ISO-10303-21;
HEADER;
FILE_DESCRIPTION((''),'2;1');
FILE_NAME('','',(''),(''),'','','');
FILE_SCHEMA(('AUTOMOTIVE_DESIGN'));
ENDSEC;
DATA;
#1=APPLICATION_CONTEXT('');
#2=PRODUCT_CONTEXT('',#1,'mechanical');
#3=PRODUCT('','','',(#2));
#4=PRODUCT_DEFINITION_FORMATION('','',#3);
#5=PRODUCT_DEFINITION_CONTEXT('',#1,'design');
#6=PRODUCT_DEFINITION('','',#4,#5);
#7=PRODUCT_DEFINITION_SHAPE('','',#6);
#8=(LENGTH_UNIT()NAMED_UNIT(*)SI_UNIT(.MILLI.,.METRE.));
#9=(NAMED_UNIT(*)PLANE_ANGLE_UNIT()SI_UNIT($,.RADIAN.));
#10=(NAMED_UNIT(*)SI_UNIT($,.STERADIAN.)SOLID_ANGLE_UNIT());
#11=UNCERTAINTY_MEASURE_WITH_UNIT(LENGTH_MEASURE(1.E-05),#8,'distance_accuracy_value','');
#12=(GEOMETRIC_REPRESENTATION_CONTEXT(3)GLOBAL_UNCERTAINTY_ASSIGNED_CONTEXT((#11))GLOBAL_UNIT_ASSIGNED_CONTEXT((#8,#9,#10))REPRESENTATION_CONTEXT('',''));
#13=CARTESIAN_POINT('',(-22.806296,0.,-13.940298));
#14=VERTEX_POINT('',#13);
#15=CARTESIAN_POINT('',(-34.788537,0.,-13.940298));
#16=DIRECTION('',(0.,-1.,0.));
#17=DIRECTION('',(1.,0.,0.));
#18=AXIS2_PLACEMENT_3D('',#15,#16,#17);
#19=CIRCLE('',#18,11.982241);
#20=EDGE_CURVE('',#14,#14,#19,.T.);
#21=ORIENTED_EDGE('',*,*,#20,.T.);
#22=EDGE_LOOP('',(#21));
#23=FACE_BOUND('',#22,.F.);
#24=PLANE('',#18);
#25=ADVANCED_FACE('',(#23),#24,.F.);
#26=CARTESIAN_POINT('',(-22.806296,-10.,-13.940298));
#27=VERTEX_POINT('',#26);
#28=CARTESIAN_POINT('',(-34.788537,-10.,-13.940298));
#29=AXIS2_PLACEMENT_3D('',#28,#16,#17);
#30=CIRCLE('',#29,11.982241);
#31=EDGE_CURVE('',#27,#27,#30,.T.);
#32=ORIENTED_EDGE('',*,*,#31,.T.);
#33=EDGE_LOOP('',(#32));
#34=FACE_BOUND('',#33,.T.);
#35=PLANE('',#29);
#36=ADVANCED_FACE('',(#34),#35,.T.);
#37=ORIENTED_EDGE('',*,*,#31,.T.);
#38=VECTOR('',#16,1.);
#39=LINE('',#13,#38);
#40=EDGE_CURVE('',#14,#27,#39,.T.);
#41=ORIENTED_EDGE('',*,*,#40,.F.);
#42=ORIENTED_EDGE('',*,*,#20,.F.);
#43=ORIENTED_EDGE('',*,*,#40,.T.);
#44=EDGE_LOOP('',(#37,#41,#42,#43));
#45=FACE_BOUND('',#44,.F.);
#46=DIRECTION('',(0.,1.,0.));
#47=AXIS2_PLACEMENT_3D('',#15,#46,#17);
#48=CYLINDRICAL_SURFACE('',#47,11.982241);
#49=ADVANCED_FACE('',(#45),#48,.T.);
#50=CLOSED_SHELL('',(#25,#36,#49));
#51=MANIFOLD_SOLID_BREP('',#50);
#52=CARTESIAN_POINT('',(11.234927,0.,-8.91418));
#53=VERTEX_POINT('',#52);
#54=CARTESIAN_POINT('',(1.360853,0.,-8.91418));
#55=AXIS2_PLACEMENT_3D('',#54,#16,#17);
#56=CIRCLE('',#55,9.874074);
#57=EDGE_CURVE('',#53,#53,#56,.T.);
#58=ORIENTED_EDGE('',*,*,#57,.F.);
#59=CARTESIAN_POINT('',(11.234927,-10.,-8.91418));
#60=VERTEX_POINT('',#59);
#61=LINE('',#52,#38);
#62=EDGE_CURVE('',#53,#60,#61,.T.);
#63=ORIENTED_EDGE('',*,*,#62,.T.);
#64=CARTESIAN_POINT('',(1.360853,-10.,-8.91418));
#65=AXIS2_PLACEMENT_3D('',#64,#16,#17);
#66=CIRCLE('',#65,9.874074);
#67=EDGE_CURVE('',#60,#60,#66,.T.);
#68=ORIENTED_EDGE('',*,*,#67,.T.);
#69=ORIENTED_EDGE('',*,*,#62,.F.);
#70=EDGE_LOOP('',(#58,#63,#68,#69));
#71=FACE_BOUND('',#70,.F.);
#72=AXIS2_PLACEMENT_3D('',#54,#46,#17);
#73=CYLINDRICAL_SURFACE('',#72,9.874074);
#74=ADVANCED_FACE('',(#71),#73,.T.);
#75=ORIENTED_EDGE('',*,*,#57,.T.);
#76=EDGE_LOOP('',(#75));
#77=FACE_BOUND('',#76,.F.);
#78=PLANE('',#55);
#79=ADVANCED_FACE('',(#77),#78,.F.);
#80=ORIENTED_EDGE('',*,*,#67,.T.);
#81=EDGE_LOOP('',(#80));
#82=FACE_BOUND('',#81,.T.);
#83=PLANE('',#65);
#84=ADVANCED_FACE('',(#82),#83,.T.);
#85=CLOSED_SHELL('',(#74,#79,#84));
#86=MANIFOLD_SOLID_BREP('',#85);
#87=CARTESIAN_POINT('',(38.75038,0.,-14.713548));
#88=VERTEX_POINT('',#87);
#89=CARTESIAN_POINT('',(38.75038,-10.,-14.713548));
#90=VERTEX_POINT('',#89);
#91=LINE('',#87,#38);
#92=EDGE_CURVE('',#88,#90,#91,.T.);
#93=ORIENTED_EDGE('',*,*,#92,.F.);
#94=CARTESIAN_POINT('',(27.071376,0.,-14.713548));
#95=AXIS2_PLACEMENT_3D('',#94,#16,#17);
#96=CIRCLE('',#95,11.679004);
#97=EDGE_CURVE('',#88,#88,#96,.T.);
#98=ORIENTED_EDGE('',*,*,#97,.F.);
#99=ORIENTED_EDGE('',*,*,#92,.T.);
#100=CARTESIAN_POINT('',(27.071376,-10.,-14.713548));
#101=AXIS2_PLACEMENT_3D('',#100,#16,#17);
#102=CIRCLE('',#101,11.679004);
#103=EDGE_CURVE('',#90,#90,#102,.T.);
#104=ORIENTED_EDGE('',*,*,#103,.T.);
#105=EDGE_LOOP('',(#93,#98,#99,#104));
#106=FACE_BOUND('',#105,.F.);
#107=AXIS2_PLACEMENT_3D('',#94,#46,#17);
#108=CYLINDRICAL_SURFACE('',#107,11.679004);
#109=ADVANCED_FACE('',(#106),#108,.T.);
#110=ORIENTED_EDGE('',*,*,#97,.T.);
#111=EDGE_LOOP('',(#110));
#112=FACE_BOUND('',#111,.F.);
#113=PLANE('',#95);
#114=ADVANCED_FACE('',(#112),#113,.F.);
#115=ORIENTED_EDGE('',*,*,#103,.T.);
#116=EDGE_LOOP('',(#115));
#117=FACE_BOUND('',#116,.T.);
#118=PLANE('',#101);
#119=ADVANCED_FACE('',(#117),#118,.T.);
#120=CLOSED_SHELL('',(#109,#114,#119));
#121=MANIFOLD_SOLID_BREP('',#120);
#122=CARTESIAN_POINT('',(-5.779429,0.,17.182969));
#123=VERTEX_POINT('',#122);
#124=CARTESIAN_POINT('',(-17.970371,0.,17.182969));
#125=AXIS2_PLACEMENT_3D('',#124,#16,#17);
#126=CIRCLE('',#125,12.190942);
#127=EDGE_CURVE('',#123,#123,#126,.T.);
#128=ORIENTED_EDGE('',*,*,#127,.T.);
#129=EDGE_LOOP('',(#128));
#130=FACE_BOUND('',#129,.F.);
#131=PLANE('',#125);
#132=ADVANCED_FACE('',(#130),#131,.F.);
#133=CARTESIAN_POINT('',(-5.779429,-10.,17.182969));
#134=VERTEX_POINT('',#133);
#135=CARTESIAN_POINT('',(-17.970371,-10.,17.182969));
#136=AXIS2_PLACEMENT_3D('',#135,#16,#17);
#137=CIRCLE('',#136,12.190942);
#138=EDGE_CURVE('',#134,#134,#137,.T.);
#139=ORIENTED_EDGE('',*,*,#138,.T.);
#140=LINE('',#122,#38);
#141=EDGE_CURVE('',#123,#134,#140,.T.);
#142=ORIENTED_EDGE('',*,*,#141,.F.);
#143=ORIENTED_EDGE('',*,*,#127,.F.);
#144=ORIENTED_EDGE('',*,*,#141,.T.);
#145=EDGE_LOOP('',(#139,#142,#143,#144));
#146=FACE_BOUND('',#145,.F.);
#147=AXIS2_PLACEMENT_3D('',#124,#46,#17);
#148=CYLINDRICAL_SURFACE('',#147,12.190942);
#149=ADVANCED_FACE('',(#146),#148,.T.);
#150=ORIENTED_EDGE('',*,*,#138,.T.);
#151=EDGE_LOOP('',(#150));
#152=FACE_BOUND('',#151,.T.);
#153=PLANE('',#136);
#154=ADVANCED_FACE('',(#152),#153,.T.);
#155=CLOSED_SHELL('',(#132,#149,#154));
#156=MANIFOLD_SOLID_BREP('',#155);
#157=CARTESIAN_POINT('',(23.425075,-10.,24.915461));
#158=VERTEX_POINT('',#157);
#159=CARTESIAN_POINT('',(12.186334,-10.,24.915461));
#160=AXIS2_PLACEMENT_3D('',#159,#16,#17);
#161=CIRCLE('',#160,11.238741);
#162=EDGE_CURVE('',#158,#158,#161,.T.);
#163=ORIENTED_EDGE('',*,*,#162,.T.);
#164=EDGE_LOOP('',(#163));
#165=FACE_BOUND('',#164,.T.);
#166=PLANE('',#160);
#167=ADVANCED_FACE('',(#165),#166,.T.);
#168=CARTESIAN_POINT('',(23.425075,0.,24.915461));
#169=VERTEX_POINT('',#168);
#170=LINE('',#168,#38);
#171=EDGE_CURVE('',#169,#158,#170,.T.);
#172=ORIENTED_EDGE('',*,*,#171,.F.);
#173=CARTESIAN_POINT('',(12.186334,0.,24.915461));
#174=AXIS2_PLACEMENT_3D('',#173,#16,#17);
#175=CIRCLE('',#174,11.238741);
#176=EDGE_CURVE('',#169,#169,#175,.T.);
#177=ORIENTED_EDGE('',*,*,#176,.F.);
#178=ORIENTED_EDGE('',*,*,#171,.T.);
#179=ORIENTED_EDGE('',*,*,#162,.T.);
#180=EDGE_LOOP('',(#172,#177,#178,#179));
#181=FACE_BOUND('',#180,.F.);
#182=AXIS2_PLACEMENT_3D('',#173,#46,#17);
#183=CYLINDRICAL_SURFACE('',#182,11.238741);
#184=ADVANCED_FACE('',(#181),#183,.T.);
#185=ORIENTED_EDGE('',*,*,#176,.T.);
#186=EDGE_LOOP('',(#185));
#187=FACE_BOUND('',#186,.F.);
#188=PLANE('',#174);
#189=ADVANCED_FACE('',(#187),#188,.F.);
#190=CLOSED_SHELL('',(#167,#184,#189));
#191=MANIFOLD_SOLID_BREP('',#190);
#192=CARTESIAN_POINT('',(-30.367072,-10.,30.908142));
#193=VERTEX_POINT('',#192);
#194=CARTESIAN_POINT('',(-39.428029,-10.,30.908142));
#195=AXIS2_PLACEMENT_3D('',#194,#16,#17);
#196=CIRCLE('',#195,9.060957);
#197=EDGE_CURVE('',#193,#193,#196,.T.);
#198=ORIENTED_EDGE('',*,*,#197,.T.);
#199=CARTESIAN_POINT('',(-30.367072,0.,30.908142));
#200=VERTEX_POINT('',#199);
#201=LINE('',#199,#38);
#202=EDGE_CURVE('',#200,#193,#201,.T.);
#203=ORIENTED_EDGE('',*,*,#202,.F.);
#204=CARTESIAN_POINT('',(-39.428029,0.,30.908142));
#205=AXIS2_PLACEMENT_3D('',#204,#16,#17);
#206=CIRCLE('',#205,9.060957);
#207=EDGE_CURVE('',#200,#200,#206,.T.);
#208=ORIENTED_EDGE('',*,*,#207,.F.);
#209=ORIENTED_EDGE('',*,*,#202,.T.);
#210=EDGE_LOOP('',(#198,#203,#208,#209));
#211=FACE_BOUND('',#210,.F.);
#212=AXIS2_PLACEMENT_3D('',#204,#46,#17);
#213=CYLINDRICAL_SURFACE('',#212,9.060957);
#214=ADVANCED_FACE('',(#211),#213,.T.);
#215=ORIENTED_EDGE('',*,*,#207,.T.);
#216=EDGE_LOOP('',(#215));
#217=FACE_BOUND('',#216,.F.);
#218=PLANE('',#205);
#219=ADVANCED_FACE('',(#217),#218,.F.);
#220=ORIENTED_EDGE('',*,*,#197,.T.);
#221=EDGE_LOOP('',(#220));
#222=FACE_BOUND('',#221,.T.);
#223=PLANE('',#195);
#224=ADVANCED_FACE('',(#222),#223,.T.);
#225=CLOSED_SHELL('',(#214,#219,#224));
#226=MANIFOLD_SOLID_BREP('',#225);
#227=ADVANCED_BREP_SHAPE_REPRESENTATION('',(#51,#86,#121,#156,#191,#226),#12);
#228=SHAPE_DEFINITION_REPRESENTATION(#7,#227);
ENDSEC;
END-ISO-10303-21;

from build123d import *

# Parameters (mm, degrees)
F0_R     = 9.060957
F0_R_2   = 12.190942
F0_R_3   = 11.238741
F0_R_4   = 11.982241
F0_R_5   = 9.874074
F0_R_6   = 11.679004
F1_DEPTH = 10


with BuildPart() as f1:
    # F0 (on Front) → F1 (new body)
    with BuildSketch(Plane.XZ):
        with Locations((-39.428029, 30.908142)):
            Circle(F0_R)
        with Locations((-17.970371, 17.182969)):
            Circle(F0_R_2)
        with Locations((12.186334, 24.915461)):
            Circle(F0_R_3)
        with Locations((-34.788537, -13.940298)):
            Circle(F0_R_4)
        with Locations((1.360853, -8.91418)):
            Circle(F0_R_5)
        with Locations((27.071376, -14.713548)):
            Circle(F0_R_6)
    extrude(amount=F1_DEPTH)


solid = f1.part
